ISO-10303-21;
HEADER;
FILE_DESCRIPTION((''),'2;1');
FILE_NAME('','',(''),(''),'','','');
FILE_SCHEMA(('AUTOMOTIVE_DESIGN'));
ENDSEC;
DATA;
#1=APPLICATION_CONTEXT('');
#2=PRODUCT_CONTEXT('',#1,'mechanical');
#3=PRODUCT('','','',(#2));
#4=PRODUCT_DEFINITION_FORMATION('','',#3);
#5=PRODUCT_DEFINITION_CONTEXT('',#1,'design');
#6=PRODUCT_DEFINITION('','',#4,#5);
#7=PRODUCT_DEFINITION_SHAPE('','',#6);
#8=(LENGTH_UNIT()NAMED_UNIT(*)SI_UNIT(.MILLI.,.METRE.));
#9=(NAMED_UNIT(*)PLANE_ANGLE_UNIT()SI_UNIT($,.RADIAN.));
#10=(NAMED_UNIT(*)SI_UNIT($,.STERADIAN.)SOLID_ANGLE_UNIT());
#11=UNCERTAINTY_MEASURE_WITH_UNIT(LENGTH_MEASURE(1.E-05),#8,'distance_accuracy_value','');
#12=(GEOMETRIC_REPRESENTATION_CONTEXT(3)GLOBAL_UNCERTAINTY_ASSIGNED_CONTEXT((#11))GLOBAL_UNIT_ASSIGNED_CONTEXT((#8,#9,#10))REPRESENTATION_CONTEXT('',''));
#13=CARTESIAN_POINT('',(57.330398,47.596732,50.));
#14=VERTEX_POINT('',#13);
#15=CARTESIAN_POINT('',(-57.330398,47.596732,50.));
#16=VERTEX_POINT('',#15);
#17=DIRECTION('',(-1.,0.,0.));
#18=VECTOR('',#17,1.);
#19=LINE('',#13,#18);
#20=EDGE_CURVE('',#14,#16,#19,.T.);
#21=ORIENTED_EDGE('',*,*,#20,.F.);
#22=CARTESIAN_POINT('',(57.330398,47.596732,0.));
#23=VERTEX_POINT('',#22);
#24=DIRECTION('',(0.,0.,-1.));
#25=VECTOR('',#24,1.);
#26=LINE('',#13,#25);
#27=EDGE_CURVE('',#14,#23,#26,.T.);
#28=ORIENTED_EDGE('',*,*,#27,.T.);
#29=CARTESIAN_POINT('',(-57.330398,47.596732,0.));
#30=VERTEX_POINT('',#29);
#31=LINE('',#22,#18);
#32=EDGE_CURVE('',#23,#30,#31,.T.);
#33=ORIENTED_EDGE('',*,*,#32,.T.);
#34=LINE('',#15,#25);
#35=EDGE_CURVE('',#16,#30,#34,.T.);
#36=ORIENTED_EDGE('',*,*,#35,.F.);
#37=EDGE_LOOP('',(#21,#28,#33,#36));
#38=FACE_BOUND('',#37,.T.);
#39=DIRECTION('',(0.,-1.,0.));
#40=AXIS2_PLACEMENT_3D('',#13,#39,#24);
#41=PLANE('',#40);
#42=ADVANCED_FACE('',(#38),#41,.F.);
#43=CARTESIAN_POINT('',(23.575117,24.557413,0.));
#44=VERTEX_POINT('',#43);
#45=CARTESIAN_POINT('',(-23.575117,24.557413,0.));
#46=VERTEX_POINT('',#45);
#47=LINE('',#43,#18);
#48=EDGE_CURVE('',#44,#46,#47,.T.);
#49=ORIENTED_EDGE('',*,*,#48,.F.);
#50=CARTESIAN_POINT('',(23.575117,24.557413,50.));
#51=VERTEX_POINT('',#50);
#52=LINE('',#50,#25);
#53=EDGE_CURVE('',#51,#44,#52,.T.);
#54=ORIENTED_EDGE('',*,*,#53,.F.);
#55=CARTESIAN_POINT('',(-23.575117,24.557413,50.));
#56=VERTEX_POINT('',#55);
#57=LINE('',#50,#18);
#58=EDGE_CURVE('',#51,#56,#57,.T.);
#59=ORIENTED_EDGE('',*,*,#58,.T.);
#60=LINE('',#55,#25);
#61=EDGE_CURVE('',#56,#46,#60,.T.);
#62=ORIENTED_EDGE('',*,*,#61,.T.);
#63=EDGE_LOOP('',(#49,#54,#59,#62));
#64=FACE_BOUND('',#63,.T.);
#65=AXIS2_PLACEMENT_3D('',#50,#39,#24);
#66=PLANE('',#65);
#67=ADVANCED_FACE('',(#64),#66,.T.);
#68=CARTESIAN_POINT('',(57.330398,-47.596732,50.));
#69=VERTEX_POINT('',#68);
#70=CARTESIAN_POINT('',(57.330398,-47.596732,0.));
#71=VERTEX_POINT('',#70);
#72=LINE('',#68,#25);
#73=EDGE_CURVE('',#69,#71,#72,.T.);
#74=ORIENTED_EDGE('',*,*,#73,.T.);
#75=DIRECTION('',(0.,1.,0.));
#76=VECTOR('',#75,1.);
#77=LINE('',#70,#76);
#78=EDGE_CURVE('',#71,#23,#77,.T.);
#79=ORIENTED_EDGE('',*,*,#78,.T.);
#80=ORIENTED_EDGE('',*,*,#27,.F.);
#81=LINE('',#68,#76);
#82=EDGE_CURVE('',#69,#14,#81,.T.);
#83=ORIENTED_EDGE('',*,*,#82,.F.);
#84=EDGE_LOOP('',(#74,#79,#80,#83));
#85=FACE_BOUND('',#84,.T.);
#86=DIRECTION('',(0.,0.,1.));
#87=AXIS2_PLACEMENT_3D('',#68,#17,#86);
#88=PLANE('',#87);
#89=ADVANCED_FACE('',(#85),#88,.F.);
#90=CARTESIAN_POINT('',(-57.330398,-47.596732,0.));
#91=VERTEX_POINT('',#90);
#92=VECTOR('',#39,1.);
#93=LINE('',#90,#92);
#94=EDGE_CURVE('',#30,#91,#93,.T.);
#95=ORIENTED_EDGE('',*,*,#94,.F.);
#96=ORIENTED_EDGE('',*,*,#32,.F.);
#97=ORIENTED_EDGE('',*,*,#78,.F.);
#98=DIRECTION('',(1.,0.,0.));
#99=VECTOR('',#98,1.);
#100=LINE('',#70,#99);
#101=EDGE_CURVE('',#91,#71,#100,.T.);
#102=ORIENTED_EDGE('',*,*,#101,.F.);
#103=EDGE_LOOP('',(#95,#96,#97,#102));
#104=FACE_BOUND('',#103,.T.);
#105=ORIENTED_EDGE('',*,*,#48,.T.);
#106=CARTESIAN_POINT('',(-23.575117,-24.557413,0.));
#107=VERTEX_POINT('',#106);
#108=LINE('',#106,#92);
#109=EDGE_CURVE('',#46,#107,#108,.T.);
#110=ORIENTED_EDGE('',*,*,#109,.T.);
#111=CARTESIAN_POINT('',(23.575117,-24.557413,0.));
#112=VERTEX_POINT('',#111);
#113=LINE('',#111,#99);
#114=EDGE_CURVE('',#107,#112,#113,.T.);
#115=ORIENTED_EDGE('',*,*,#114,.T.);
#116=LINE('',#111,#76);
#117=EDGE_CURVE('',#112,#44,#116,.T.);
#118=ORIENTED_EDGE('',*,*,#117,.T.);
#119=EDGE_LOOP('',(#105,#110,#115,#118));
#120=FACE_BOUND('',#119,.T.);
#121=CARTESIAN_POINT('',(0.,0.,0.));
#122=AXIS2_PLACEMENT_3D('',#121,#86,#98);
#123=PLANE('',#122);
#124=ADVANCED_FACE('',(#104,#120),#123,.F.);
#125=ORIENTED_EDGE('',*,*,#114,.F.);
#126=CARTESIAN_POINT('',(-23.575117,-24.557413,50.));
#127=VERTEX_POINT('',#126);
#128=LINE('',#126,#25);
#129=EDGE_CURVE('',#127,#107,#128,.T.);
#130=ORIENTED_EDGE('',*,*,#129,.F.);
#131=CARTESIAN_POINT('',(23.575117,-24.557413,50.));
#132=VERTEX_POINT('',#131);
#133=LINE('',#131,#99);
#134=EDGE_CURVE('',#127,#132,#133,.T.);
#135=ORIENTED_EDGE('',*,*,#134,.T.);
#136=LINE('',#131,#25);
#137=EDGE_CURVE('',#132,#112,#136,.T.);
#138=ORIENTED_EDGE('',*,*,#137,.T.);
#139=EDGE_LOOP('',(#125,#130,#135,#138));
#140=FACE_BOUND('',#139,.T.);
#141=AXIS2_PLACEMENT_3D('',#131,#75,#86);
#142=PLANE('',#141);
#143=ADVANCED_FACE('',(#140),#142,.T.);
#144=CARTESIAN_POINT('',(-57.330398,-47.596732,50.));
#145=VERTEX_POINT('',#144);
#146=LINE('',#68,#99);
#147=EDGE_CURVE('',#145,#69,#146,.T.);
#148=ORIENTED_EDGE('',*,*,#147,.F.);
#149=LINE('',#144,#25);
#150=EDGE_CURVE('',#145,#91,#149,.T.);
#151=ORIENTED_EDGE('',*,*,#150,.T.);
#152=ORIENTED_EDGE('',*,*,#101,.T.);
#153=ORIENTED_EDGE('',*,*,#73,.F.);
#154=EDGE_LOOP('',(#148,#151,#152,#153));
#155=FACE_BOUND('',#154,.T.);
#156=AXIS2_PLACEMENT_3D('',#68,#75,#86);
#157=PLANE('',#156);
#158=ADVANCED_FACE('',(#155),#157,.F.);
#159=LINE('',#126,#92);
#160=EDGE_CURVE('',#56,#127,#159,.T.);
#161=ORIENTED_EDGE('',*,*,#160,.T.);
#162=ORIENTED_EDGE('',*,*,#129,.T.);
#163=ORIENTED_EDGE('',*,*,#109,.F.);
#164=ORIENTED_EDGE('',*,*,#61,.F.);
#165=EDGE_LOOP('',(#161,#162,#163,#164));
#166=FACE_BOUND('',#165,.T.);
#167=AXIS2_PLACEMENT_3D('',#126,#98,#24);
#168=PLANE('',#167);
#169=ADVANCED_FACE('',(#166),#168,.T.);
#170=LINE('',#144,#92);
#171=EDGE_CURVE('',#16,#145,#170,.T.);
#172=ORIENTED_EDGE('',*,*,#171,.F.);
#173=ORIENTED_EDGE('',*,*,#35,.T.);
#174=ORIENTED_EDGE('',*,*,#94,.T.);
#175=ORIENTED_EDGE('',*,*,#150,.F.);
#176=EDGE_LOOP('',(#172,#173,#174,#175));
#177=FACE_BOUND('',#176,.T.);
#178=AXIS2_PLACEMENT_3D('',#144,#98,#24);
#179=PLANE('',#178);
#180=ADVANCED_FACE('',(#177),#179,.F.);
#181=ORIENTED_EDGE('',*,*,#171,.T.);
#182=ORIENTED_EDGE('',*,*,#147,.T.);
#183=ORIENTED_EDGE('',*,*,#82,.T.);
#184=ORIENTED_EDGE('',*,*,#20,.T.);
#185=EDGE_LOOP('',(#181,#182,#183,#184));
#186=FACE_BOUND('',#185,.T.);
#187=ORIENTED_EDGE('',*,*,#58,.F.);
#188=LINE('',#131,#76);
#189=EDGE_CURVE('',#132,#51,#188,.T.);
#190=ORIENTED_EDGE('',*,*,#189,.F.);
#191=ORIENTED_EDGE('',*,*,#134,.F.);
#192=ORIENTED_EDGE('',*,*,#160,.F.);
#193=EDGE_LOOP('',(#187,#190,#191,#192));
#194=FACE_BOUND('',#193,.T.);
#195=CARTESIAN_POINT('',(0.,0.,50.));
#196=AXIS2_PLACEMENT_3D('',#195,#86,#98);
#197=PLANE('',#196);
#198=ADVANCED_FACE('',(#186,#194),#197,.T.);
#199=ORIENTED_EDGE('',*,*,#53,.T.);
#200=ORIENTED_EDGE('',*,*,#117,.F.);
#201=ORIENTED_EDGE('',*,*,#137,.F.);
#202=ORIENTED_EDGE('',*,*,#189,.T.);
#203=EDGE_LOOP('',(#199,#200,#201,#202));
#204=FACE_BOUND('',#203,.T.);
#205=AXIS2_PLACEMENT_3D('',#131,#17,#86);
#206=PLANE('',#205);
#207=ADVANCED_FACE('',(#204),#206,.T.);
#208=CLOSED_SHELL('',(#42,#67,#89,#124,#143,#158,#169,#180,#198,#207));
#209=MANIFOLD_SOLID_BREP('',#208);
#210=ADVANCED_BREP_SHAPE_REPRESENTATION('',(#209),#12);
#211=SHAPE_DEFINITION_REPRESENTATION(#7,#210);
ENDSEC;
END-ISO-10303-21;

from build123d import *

# Parameters (mm, degrees)
SKETCH1_W           = 114.660795688
SKETCH1_H           = 95.193464334
SKETCH1_W_2         = 47.150233742
SKETCH1_H_2         = 49.114826814
BOSS_EXTRUDE1_DEPTH = 50


with BuildPart() as part:
    # Sketch1 → Boss-Extrude1 (new body)
    with BuildSketch(Plane.XY):
        Rectangle(SKETCH1_W, SKETCH1_H)
        Rectangle(SKETCH1_W_2, SKETCH1_H_2, mode=Mode.SUBTRACT)
    extrude(amount=BOSS_EXTRUDE1_DEPTH)


solid = part.part
